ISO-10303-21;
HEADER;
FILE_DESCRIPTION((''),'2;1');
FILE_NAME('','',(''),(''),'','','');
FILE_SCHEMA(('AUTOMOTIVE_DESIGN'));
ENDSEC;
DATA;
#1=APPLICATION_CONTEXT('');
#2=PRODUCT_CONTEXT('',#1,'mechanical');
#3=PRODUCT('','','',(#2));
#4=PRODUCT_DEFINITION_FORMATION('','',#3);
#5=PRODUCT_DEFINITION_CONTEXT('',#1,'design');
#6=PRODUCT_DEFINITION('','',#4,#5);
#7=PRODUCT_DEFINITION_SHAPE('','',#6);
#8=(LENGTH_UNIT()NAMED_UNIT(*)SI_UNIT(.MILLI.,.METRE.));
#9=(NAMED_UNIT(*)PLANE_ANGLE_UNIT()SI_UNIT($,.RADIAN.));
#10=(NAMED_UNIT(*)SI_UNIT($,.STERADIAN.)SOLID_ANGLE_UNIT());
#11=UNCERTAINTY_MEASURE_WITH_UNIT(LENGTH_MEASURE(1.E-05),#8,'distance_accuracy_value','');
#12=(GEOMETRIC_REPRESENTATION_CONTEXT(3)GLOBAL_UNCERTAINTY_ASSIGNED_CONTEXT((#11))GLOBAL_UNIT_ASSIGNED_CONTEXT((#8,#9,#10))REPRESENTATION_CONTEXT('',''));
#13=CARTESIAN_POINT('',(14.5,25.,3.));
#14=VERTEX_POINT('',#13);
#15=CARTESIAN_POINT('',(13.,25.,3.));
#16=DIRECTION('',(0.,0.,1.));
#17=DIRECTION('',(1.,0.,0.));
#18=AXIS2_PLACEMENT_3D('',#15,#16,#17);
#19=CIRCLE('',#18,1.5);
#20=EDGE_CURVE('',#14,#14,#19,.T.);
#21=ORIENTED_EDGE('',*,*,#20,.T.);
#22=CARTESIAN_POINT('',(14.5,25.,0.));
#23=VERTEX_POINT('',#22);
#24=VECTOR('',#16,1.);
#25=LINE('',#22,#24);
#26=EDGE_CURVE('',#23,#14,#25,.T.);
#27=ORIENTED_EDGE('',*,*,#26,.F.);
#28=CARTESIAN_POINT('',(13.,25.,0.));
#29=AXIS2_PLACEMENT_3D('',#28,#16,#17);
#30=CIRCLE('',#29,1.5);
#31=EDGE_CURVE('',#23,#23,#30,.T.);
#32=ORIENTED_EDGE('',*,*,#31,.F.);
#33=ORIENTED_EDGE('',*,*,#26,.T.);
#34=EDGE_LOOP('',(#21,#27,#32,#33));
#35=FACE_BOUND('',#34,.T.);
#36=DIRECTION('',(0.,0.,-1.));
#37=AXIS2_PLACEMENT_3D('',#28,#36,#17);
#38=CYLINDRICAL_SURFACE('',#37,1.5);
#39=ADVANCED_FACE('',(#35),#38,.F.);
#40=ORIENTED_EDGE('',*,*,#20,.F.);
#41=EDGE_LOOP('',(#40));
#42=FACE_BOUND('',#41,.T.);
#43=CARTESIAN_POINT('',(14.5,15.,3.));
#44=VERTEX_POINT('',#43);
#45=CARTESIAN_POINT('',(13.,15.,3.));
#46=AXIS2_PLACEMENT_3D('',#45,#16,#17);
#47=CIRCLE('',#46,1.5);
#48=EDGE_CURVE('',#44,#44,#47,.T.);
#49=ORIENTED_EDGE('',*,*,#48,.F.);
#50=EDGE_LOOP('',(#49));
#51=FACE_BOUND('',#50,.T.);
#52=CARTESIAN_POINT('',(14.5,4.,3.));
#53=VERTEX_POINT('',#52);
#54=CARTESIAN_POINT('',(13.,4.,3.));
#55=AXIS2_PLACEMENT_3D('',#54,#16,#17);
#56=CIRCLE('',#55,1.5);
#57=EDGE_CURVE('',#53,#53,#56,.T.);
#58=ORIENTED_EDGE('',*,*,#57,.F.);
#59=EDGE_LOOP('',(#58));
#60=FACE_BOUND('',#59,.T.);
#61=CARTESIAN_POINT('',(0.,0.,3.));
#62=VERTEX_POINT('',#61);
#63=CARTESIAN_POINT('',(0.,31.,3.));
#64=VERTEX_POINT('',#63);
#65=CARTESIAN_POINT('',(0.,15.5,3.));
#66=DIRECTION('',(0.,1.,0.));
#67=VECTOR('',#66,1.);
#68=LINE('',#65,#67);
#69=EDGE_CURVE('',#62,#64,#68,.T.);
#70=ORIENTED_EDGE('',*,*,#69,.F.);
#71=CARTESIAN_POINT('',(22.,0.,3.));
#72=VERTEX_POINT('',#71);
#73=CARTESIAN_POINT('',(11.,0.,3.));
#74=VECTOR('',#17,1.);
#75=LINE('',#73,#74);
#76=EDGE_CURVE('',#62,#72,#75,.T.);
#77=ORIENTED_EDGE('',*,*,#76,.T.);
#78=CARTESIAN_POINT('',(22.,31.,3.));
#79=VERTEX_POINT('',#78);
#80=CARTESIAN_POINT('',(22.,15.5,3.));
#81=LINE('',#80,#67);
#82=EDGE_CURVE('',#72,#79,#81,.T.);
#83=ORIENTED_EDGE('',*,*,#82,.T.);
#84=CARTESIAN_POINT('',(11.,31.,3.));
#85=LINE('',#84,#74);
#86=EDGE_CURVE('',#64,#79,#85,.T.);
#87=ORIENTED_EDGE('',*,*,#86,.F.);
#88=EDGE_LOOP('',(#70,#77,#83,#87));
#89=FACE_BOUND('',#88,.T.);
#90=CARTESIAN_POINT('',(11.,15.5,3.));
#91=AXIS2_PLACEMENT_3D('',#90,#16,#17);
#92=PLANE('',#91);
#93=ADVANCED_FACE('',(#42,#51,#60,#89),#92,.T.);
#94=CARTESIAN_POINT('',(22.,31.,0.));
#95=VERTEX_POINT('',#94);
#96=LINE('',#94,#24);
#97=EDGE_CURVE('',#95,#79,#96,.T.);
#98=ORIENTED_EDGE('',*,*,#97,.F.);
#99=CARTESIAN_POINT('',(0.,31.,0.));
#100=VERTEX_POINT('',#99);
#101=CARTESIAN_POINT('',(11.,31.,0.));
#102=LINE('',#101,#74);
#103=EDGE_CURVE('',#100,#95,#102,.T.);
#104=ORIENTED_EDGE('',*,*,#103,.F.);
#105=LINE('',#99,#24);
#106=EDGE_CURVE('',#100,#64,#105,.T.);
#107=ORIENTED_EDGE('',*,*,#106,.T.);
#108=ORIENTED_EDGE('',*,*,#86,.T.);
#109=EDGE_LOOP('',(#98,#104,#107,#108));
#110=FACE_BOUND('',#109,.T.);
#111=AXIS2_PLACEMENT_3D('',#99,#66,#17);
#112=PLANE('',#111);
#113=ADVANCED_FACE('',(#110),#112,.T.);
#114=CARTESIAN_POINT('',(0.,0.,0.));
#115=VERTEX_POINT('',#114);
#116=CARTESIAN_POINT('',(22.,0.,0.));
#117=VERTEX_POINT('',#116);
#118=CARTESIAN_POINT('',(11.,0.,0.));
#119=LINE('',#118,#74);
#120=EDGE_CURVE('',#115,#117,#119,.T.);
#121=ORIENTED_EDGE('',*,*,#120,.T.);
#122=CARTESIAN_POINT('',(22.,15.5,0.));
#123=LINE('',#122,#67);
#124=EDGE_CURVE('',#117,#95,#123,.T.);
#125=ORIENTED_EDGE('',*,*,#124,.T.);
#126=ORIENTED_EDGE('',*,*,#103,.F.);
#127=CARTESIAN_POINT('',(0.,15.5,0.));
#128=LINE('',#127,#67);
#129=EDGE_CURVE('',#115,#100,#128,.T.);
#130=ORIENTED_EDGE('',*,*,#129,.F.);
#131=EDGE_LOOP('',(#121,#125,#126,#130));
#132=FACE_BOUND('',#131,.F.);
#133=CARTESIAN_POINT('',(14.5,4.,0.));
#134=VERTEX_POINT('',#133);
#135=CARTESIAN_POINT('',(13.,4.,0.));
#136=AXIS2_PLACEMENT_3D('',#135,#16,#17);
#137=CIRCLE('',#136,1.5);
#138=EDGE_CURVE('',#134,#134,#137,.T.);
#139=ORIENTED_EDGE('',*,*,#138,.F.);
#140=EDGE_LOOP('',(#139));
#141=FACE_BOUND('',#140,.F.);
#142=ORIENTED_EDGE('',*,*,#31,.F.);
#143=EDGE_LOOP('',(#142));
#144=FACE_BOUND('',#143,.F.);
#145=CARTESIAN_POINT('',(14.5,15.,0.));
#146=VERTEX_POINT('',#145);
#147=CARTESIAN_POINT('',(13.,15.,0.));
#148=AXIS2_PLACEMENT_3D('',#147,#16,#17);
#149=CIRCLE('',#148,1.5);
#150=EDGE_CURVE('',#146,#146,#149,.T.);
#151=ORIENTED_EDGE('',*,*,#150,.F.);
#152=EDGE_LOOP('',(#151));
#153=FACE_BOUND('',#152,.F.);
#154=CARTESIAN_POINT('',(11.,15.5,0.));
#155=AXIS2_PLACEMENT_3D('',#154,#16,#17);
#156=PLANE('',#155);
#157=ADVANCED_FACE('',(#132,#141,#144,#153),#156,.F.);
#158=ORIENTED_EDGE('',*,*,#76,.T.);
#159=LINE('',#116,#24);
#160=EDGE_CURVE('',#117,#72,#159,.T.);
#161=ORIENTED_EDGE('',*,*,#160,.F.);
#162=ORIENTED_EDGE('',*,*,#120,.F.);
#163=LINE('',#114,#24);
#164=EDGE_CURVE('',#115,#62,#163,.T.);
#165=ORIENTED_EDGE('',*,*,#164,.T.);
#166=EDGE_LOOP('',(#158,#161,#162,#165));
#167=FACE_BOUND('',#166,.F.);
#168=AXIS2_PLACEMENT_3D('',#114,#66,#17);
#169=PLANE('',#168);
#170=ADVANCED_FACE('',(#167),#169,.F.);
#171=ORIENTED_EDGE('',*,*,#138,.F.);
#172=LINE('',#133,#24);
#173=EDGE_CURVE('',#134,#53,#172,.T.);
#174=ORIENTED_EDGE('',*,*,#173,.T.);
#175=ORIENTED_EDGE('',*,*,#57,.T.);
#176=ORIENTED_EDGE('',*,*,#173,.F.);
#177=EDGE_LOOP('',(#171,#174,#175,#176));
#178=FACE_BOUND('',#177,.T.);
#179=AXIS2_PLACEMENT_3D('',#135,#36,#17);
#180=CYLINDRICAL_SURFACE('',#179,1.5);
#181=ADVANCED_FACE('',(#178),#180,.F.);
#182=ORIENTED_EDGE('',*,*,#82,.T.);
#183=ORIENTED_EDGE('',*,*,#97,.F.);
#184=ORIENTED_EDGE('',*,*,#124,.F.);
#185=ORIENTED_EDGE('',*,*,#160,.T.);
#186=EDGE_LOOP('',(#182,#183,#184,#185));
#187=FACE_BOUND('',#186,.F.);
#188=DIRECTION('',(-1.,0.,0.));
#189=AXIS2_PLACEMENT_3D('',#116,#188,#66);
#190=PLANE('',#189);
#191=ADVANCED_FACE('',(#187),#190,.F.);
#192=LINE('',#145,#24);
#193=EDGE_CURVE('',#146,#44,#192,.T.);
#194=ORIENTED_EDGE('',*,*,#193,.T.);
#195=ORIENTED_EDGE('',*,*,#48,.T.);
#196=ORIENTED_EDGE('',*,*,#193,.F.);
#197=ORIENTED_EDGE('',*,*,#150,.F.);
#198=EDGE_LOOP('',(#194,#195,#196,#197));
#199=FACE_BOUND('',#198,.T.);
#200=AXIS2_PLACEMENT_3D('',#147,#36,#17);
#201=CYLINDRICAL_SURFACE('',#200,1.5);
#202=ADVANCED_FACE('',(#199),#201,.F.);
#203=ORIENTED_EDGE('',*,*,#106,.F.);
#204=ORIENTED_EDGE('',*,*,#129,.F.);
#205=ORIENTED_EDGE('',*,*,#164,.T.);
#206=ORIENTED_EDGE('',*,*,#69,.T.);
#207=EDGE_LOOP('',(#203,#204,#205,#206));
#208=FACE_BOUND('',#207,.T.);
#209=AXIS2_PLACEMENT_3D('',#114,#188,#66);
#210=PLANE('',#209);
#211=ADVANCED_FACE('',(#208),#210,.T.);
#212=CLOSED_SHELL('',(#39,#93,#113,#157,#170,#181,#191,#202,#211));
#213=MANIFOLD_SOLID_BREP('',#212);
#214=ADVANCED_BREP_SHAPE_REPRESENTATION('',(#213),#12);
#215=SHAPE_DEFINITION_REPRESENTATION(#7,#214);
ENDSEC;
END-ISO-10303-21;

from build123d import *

# Parameters (mm, degrees)
SKETCH_W  = 22
SKETCH_H  = 31
SKETCH_R  = 1.5
PAD_DEPTH = 3


with BuildPart() as part:
    # Sketch → Pad (new body)
    with BuildSketch(Plane.XY):
        with Locations((11, 15.5)):
            Rectangle(SKETCH_W, SKETCH_H)
        with Locations((13, 25)):
            Circle(SKETCH_R, mode=Mode.SUBTRACT)
        with Locations((13, 4)):
            Circle(SKETCH_R, mode=Mode.SUBTRACT)
        with Locations((13, 15)):
            Circle(SKETCH_R, mode=Mode.SUBTRACT)
    extrude(amount=PAD_DEPTH)


solid = part.part
